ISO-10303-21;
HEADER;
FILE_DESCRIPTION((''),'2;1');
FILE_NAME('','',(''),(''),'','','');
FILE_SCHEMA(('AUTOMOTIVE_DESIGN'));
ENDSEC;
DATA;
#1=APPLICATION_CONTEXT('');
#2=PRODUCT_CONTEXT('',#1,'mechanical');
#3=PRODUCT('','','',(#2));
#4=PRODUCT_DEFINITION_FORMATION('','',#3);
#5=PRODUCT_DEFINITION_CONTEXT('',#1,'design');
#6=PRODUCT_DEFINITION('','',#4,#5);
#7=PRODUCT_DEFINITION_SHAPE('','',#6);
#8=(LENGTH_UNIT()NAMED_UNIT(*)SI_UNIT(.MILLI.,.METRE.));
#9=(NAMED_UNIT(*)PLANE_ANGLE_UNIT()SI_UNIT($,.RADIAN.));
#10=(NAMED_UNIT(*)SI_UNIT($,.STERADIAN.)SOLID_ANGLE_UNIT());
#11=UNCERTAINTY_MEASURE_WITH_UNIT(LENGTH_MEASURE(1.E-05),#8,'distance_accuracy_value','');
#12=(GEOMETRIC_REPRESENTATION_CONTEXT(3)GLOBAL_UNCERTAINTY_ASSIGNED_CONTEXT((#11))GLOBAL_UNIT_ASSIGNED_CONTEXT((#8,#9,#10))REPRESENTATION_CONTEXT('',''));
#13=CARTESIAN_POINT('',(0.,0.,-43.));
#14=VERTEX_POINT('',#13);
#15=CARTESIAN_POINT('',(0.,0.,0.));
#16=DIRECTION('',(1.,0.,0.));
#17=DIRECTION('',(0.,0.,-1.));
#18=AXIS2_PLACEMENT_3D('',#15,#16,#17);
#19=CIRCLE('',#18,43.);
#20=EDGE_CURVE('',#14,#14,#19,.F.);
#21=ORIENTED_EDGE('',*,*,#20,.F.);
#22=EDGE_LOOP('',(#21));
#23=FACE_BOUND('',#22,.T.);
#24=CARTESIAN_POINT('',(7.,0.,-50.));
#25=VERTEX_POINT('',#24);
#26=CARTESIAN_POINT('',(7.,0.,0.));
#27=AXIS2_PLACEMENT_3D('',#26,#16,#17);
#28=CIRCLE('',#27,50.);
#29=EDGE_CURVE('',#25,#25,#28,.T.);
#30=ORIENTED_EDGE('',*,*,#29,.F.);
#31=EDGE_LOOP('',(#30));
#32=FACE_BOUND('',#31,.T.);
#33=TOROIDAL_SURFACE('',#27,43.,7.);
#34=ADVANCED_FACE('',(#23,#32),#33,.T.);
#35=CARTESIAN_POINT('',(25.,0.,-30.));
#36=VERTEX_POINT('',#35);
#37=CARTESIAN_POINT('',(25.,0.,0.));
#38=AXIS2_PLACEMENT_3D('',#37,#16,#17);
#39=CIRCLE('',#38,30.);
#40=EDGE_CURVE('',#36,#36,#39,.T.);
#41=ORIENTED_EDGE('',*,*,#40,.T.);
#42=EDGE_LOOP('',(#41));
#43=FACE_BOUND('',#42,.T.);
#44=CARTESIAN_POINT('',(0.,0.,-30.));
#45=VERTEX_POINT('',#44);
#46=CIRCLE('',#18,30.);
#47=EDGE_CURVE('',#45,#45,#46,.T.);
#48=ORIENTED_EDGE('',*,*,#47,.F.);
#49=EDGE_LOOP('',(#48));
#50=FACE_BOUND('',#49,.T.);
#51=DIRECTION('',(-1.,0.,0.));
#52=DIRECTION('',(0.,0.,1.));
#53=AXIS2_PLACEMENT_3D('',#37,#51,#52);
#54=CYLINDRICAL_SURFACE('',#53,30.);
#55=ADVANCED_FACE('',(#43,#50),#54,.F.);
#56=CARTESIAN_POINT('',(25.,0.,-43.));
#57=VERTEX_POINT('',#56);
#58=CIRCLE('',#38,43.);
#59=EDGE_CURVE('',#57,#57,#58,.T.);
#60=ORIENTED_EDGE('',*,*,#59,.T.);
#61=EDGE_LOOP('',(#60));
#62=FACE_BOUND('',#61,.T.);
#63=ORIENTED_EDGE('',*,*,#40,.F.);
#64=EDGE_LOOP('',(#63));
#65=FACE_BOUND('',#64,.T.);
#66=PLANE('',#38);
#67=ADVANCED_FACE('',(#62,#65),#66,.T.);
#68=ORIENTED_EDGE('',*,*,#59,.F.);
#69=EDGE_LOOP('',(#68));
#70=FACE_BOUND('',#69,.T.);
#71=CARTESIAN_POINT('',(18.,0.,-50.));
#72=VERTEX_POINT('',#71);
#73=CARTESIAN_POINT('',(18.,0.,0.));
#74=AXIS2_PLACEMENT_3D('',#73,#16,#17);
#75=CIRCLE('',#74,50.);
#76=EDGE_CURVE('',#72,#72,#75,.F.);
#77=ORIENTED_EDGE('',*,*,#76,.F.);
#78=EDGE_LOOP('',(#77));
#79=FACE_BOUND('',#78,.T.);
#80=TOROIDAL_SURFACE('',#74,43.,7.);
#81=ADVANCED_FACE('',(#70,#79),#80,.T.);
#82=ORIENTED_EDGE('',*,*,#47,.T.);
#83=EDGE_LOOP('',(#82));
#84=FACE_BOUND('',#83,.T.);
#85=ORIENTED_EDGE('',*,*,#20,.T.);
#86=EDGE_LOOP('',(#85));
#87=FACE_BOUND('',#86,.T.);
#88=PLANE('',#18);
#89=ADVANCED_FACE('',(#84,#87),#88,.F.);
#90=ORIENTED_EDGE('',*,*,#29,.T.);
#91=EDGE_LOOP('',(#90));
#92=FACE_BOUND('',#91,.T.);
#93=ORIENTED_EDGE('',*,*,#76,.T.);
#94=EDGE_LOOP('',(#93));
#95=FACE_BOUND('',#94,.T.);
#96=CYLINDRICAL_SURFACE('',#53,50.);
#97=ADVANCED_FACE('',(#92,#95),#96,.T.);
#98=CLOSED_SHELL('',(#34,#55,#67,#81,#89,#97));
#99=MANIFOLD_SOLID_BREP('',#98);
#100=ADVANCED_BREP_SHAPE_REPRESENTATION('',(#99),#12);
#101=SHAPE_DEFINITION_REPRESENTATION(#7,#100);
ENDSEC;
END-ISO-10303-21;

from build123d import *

# Parameters (mm, degrees)
SKETCH1_R           = 50
SKETCH1_R_2         = 30
BOSS_EXTRUDE1_DEPTH = 25
FILLET1_R           = 7


with BuildPart() as part:
    # Sketch1 → Boss-Extrude1 (new body)
    with BuildSketch(Plane(origin=(0, 0, 0), x_dir=(0, 0, -1), z_dir=(1, 0, 0))):
        Circle(SKETCH1_R)
        Circle(SKETCH1_R_2, mode=Mode.SUBTRACT)
    extrude(amount=BOSS_EXTRUDE1_DEPTH)

    # Fillet1
    fillet1_edges = [part.edges().sort_by_distance(p)[0] for p in [
        (0, 0, 50),
        (25, 0, 50),
    ]]
    fillet(fillet1_edges, radius=FILLET1_R)


solid = part.part
